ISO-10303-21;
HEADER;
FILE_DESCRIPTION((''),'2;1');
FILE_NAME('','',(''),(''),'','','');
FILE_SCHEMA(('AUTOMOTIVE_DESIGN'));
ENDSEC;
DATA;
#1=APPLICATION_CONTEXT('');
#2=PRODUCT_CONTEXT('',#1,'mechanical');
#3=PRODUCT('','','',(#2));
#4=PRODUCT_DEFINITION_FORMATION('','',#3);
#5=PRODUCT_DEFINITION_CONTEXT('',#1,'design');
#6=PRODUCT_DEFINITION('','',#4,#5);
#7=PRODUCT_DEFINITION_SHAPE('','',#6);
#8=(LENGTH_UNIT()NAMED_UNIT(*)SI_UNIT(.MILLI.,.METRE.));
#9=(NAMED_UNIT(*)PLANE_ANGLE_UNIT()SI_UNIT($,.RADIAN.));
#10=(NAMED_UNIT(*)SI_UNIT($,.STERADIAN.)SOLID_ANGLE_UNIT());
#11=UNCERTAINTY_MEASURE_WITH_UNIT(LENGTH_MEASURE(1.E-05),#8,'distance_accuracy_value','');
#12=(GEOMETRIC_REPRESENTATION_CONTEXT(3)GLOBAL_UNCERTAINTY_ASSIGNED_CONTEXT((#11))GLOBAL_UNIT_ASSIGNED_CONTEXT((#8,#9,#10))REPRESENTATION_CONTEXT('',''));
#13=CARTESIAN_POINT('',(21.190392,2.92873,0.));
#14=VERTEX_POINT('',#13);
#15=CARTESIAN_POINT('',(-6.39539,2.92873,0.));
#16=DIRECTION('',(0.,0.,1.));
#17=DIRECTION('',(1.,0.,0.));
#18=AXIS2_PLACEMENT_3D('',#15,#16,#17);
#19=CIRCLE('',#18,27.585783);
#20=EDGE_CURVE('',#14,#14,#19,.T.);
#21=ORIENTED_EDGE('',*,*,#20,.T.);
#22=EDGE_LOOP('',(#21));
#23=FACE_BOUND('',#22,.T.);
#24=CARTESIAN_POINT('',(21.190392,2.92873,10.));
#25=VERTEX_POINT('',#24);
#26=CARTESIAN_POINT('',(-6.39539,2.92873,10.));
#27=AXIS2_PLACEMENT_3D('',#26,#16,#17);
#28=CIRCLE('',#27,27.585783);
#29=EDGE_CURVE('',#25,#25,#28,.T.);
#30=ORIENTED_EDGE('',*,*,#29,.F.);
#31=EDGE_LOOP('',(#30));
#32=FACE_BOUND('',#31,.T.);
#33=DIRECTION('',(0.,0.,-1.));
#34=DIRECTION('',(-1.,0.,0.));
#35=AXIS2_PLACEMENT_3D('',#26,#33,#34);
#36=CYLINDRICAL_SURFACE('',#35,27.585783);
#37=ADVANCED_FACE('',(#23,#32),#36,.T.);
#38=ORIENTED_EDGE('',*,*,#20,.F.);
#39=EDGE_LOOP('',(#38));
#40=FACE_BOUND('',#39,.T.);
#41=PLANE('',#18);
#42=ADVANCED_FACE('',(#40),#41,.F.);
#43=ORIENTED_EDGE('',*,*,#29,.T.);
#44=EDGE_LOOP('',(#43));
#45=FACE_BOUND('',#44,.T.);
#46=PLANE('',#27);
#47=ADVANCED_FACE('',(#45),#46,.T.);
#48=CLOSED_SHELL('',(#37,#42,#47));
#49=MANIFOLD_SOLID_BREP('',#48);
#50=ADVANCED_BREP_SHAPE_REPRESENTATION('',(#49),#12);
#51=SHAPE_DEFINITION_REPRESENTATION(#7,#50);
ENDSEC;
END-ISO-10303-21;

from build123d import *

# Parameters (mm, degrees)
SKETCH1_R           = 27.5857826
BOSS_EXTRUDE1_DEPTH = 10


with BuildPart() as part:
    # Sketch1 → Boss-Extrude1 (new body)
    with BuildSketch(Plane.XY):
        with Locations((-6.395390271, 2.928730124)):
            Circle(SKETCH1_R)
    extrude(amount=BOSS_EXTRUDE1_DEPTH)


solid = part.part
